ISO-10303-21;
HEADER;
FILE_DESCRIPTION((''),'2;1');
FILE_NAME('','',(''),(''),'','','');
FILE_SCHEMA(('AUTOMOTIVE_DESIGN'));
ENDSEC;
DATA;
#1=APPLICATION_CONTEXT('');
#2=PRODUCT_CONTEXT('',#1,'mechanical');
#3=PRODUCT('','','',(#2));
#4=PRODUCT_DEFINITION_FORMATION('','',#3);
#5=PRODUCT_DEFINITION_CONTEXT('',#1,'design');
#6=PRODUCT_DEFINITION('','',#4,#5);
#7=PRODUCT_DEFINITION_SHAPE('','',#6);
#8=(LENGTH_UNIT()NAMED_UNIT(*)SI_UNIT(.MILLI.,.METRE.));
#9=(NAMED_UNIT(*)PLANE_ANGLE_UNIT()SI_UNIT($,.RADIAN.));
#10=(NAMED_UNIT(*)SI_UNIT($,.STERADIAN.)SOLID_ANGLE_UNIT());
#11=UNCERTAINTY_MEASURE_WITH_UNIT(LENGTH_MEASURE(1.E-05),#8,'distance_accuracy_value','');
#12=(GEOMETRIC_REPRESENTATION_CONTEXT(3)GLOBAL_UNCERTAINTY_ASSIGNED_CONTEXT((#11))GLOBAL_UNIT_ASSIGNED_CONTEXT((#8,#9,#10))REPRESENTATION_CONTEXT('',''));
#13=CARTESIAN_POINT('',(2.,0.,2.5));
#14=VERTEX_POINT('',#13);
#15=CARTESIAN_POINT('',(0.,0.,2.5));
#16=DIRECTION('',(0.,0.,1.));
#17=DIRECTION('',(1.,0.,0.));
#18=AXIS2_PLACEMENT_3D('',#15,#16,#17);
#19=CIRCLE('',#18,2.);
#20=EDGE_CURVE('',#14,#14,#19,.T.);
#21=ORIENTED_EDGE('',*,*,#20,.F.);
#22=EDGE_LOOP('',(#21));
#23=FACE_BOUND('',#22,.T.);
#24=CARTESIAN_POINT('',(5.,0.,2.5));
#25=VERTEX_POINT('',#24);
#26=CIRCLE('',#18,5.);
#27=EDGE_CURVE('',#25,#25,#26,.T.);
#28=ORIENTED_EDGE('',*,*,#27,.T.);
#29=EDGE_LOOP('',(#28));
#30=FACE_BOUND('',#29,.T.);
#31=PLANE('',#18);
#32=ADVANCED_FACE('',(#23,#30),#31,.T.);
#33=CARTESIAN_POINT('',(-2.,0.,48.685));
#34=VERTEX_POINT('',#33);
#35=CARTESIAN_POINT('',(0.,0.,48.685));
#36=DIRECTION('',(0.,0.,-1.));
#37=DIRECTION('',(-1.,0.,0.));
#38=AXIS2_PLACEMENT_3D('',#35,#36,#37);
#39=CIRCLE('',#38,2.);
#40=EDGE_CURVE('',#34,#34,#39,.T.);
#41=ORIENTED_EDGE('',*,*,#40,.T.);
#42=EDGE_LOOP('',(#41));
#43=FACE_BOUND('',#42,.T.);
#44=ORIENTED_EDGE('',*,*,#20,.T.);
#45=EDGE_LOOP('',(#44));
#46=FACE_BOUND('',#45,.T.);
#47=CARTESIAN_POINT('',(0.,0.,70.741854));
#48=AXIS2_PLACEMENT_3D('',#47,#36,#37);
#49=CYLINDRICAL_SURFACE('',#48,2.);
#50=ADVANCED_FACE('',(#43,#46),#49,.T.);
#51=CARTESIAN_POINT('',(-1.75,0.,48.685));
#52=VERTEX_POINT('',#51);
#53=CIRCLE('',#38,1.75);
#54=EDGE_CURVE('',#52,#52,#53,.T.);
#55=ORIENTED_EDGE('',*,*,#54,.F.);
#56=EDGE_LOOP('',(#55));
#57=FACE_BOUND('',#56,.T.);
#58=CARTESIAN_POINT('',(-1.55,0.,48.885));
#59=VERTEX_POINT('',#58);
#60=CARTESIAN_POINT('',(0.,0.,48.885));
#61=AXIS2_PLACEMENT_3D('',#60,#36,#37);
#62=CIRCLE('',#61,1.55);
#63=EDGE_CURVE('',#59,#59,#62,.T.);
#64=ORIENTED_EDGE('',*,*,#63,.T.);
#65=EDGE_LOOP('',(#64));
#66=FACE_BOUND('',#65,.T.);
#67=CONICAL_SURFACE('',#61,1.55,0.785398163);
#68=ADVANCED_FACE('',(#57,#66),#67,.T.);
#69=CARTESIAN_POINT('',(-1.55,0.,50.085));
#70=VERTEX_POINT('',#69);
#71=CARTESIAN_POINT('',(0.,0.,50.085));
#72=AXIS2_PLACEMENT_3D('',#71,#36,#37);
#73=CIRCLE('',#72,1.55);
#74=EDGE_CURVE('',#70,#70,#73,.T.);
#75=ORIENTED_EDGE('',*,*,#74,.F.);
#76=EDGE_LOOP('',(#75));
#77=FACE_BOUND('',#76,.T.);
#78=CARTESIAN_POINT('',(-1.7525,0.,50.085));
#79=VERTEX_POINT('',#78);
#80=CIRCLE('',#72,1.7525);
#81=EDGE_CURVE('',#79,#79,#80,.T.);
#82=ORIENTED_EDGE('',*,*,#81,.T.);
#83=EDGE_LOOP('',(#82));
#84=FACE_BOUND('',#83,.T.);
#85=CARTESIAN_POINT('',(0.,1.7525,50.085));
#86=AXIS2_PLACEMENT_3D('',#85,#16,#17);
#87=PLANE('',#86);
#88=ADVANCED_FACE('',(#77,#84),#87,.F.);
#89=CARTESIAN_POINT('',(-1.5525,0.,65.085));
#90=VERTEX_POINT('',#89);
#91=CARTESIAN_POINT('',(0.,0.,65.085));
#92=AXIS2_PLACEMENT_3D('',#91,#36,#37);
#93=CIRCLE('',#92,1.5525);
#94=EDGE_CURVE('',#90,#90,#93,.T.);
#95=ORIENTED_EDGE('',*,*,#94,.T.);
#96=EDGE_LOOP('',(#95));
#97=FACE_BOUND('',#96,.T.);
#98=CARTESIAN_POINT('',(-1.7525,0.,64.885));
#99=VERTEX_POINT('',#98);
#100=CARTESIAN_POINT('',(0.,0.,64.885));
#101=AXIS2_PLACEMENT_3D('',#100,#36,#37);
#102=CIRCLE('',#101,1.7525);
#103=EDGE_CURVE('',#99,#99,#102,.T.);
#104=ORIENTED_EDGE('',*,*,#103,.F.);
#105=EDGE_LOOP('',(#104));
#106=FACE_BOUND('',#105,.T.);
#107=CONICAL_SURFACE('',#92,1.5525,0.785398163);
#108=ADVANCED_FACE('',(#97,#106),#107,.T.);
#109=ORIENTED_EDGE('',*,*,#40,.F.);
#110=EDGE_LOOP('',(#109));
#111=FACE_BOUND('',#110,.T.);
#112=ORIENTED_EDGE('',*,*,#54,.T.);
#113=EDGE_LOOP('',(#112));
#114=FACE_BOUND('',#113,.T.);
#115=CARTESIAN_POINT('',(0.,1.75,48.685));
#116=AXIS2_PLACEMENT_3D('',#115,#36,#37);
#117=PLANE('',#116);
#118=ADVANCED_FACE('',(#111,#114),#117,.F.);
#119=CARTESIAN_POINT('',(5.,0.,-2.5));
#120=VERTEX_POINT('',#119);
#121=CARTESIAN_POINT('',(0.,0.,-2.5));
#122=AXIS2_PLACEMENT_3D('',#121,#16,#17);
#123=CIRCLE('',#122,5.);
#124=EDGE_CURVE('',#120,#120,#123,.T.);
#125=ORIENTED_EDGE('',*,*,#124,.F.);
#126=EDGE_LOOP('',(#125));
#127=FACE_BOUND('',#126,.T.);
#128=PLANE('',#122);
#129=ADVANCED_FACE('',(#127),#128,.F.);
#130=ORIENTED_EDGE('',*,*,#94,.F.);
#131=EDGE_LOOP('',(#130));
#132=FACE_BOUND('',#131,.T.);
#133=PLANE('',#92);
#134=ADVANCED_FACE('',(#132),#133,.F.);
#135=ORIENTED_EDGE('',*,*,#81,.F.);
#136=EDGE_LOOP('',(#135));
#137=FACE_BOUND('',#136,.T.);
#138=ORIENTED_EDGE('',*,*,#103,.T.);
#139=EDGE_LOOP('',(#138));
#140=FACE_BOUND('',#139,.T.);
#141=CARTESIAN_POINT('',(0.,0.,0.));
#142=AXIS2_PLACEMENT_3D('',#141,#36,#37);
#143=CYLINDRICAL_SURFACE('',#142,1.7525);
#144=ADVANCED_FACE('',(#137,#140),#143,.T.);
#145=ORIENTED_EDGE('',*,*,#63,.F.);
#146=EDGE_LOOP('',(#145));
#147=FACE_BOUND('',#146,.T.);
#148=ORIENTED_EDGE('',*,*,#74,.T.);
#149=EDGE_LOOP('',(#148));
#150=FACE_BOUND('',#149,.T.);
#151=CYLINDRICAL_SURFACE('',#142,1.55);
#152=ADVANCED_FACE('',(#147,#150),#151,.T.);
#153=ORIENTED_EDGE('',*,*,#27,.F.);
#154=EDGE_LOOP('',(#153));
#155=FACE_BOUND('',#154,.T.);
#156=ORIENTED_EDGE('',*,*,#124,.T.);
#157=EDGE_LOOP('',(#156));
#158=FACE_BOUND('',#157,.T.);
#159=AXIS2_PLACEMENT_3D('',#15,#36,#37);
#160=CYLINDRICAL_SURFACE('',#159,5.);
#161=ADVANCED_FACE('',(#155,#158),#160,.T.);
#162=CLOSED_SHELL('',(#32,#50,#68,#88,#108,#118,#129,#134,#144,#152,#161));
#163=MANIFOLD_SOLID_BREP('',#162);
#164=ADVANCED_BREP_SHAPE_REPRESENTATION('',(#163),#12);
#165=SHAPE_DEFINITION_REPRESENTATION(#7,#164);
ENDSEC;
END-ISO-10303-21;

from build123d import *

# Parameters (mm, degrees)
SKETCH1_R          = 2
BASE_EXTRUDE_DEPTH = 65.085
SKETCH2_R          = 5
PISTON_DEPTH       = 2.5


with BuildPart() as part:
    # Sketch1 → Base-Extrude (new body)
    with BuildSketch(Plane.XY):
        Circle(SKETCH1_R)
    extrude(amount=BASE_EXTRUDE_DEPTH)

    # Sketch2 → Piston (add, symmetric)
    with BuildSketch(Plane.XY):
        Circle(SKETCH2_R)
    extrude(amount=PISTON_DEPTH, both=True)

    # Sketch3 → Threads (revolve, cut)
    with BuildSketch(Plane(origin=(0, 0, 0), x_dir=(0, 0, -1), z_dir=(1, 0, 0))):
        Polygon((-65.085, 1.5525), (-64.885, 1.7525), (-50.085, 1.7525), (-50.085, 1.55), (-48.885, 1.55), (-48.685, 1.75), (-48.685, 5), (-65.085, 5), align=None)
    revolve(axis=Axis((0, 0, 0), (0, 0, 1)), mode=Mode.SUBTRACT)


solid = part.part
